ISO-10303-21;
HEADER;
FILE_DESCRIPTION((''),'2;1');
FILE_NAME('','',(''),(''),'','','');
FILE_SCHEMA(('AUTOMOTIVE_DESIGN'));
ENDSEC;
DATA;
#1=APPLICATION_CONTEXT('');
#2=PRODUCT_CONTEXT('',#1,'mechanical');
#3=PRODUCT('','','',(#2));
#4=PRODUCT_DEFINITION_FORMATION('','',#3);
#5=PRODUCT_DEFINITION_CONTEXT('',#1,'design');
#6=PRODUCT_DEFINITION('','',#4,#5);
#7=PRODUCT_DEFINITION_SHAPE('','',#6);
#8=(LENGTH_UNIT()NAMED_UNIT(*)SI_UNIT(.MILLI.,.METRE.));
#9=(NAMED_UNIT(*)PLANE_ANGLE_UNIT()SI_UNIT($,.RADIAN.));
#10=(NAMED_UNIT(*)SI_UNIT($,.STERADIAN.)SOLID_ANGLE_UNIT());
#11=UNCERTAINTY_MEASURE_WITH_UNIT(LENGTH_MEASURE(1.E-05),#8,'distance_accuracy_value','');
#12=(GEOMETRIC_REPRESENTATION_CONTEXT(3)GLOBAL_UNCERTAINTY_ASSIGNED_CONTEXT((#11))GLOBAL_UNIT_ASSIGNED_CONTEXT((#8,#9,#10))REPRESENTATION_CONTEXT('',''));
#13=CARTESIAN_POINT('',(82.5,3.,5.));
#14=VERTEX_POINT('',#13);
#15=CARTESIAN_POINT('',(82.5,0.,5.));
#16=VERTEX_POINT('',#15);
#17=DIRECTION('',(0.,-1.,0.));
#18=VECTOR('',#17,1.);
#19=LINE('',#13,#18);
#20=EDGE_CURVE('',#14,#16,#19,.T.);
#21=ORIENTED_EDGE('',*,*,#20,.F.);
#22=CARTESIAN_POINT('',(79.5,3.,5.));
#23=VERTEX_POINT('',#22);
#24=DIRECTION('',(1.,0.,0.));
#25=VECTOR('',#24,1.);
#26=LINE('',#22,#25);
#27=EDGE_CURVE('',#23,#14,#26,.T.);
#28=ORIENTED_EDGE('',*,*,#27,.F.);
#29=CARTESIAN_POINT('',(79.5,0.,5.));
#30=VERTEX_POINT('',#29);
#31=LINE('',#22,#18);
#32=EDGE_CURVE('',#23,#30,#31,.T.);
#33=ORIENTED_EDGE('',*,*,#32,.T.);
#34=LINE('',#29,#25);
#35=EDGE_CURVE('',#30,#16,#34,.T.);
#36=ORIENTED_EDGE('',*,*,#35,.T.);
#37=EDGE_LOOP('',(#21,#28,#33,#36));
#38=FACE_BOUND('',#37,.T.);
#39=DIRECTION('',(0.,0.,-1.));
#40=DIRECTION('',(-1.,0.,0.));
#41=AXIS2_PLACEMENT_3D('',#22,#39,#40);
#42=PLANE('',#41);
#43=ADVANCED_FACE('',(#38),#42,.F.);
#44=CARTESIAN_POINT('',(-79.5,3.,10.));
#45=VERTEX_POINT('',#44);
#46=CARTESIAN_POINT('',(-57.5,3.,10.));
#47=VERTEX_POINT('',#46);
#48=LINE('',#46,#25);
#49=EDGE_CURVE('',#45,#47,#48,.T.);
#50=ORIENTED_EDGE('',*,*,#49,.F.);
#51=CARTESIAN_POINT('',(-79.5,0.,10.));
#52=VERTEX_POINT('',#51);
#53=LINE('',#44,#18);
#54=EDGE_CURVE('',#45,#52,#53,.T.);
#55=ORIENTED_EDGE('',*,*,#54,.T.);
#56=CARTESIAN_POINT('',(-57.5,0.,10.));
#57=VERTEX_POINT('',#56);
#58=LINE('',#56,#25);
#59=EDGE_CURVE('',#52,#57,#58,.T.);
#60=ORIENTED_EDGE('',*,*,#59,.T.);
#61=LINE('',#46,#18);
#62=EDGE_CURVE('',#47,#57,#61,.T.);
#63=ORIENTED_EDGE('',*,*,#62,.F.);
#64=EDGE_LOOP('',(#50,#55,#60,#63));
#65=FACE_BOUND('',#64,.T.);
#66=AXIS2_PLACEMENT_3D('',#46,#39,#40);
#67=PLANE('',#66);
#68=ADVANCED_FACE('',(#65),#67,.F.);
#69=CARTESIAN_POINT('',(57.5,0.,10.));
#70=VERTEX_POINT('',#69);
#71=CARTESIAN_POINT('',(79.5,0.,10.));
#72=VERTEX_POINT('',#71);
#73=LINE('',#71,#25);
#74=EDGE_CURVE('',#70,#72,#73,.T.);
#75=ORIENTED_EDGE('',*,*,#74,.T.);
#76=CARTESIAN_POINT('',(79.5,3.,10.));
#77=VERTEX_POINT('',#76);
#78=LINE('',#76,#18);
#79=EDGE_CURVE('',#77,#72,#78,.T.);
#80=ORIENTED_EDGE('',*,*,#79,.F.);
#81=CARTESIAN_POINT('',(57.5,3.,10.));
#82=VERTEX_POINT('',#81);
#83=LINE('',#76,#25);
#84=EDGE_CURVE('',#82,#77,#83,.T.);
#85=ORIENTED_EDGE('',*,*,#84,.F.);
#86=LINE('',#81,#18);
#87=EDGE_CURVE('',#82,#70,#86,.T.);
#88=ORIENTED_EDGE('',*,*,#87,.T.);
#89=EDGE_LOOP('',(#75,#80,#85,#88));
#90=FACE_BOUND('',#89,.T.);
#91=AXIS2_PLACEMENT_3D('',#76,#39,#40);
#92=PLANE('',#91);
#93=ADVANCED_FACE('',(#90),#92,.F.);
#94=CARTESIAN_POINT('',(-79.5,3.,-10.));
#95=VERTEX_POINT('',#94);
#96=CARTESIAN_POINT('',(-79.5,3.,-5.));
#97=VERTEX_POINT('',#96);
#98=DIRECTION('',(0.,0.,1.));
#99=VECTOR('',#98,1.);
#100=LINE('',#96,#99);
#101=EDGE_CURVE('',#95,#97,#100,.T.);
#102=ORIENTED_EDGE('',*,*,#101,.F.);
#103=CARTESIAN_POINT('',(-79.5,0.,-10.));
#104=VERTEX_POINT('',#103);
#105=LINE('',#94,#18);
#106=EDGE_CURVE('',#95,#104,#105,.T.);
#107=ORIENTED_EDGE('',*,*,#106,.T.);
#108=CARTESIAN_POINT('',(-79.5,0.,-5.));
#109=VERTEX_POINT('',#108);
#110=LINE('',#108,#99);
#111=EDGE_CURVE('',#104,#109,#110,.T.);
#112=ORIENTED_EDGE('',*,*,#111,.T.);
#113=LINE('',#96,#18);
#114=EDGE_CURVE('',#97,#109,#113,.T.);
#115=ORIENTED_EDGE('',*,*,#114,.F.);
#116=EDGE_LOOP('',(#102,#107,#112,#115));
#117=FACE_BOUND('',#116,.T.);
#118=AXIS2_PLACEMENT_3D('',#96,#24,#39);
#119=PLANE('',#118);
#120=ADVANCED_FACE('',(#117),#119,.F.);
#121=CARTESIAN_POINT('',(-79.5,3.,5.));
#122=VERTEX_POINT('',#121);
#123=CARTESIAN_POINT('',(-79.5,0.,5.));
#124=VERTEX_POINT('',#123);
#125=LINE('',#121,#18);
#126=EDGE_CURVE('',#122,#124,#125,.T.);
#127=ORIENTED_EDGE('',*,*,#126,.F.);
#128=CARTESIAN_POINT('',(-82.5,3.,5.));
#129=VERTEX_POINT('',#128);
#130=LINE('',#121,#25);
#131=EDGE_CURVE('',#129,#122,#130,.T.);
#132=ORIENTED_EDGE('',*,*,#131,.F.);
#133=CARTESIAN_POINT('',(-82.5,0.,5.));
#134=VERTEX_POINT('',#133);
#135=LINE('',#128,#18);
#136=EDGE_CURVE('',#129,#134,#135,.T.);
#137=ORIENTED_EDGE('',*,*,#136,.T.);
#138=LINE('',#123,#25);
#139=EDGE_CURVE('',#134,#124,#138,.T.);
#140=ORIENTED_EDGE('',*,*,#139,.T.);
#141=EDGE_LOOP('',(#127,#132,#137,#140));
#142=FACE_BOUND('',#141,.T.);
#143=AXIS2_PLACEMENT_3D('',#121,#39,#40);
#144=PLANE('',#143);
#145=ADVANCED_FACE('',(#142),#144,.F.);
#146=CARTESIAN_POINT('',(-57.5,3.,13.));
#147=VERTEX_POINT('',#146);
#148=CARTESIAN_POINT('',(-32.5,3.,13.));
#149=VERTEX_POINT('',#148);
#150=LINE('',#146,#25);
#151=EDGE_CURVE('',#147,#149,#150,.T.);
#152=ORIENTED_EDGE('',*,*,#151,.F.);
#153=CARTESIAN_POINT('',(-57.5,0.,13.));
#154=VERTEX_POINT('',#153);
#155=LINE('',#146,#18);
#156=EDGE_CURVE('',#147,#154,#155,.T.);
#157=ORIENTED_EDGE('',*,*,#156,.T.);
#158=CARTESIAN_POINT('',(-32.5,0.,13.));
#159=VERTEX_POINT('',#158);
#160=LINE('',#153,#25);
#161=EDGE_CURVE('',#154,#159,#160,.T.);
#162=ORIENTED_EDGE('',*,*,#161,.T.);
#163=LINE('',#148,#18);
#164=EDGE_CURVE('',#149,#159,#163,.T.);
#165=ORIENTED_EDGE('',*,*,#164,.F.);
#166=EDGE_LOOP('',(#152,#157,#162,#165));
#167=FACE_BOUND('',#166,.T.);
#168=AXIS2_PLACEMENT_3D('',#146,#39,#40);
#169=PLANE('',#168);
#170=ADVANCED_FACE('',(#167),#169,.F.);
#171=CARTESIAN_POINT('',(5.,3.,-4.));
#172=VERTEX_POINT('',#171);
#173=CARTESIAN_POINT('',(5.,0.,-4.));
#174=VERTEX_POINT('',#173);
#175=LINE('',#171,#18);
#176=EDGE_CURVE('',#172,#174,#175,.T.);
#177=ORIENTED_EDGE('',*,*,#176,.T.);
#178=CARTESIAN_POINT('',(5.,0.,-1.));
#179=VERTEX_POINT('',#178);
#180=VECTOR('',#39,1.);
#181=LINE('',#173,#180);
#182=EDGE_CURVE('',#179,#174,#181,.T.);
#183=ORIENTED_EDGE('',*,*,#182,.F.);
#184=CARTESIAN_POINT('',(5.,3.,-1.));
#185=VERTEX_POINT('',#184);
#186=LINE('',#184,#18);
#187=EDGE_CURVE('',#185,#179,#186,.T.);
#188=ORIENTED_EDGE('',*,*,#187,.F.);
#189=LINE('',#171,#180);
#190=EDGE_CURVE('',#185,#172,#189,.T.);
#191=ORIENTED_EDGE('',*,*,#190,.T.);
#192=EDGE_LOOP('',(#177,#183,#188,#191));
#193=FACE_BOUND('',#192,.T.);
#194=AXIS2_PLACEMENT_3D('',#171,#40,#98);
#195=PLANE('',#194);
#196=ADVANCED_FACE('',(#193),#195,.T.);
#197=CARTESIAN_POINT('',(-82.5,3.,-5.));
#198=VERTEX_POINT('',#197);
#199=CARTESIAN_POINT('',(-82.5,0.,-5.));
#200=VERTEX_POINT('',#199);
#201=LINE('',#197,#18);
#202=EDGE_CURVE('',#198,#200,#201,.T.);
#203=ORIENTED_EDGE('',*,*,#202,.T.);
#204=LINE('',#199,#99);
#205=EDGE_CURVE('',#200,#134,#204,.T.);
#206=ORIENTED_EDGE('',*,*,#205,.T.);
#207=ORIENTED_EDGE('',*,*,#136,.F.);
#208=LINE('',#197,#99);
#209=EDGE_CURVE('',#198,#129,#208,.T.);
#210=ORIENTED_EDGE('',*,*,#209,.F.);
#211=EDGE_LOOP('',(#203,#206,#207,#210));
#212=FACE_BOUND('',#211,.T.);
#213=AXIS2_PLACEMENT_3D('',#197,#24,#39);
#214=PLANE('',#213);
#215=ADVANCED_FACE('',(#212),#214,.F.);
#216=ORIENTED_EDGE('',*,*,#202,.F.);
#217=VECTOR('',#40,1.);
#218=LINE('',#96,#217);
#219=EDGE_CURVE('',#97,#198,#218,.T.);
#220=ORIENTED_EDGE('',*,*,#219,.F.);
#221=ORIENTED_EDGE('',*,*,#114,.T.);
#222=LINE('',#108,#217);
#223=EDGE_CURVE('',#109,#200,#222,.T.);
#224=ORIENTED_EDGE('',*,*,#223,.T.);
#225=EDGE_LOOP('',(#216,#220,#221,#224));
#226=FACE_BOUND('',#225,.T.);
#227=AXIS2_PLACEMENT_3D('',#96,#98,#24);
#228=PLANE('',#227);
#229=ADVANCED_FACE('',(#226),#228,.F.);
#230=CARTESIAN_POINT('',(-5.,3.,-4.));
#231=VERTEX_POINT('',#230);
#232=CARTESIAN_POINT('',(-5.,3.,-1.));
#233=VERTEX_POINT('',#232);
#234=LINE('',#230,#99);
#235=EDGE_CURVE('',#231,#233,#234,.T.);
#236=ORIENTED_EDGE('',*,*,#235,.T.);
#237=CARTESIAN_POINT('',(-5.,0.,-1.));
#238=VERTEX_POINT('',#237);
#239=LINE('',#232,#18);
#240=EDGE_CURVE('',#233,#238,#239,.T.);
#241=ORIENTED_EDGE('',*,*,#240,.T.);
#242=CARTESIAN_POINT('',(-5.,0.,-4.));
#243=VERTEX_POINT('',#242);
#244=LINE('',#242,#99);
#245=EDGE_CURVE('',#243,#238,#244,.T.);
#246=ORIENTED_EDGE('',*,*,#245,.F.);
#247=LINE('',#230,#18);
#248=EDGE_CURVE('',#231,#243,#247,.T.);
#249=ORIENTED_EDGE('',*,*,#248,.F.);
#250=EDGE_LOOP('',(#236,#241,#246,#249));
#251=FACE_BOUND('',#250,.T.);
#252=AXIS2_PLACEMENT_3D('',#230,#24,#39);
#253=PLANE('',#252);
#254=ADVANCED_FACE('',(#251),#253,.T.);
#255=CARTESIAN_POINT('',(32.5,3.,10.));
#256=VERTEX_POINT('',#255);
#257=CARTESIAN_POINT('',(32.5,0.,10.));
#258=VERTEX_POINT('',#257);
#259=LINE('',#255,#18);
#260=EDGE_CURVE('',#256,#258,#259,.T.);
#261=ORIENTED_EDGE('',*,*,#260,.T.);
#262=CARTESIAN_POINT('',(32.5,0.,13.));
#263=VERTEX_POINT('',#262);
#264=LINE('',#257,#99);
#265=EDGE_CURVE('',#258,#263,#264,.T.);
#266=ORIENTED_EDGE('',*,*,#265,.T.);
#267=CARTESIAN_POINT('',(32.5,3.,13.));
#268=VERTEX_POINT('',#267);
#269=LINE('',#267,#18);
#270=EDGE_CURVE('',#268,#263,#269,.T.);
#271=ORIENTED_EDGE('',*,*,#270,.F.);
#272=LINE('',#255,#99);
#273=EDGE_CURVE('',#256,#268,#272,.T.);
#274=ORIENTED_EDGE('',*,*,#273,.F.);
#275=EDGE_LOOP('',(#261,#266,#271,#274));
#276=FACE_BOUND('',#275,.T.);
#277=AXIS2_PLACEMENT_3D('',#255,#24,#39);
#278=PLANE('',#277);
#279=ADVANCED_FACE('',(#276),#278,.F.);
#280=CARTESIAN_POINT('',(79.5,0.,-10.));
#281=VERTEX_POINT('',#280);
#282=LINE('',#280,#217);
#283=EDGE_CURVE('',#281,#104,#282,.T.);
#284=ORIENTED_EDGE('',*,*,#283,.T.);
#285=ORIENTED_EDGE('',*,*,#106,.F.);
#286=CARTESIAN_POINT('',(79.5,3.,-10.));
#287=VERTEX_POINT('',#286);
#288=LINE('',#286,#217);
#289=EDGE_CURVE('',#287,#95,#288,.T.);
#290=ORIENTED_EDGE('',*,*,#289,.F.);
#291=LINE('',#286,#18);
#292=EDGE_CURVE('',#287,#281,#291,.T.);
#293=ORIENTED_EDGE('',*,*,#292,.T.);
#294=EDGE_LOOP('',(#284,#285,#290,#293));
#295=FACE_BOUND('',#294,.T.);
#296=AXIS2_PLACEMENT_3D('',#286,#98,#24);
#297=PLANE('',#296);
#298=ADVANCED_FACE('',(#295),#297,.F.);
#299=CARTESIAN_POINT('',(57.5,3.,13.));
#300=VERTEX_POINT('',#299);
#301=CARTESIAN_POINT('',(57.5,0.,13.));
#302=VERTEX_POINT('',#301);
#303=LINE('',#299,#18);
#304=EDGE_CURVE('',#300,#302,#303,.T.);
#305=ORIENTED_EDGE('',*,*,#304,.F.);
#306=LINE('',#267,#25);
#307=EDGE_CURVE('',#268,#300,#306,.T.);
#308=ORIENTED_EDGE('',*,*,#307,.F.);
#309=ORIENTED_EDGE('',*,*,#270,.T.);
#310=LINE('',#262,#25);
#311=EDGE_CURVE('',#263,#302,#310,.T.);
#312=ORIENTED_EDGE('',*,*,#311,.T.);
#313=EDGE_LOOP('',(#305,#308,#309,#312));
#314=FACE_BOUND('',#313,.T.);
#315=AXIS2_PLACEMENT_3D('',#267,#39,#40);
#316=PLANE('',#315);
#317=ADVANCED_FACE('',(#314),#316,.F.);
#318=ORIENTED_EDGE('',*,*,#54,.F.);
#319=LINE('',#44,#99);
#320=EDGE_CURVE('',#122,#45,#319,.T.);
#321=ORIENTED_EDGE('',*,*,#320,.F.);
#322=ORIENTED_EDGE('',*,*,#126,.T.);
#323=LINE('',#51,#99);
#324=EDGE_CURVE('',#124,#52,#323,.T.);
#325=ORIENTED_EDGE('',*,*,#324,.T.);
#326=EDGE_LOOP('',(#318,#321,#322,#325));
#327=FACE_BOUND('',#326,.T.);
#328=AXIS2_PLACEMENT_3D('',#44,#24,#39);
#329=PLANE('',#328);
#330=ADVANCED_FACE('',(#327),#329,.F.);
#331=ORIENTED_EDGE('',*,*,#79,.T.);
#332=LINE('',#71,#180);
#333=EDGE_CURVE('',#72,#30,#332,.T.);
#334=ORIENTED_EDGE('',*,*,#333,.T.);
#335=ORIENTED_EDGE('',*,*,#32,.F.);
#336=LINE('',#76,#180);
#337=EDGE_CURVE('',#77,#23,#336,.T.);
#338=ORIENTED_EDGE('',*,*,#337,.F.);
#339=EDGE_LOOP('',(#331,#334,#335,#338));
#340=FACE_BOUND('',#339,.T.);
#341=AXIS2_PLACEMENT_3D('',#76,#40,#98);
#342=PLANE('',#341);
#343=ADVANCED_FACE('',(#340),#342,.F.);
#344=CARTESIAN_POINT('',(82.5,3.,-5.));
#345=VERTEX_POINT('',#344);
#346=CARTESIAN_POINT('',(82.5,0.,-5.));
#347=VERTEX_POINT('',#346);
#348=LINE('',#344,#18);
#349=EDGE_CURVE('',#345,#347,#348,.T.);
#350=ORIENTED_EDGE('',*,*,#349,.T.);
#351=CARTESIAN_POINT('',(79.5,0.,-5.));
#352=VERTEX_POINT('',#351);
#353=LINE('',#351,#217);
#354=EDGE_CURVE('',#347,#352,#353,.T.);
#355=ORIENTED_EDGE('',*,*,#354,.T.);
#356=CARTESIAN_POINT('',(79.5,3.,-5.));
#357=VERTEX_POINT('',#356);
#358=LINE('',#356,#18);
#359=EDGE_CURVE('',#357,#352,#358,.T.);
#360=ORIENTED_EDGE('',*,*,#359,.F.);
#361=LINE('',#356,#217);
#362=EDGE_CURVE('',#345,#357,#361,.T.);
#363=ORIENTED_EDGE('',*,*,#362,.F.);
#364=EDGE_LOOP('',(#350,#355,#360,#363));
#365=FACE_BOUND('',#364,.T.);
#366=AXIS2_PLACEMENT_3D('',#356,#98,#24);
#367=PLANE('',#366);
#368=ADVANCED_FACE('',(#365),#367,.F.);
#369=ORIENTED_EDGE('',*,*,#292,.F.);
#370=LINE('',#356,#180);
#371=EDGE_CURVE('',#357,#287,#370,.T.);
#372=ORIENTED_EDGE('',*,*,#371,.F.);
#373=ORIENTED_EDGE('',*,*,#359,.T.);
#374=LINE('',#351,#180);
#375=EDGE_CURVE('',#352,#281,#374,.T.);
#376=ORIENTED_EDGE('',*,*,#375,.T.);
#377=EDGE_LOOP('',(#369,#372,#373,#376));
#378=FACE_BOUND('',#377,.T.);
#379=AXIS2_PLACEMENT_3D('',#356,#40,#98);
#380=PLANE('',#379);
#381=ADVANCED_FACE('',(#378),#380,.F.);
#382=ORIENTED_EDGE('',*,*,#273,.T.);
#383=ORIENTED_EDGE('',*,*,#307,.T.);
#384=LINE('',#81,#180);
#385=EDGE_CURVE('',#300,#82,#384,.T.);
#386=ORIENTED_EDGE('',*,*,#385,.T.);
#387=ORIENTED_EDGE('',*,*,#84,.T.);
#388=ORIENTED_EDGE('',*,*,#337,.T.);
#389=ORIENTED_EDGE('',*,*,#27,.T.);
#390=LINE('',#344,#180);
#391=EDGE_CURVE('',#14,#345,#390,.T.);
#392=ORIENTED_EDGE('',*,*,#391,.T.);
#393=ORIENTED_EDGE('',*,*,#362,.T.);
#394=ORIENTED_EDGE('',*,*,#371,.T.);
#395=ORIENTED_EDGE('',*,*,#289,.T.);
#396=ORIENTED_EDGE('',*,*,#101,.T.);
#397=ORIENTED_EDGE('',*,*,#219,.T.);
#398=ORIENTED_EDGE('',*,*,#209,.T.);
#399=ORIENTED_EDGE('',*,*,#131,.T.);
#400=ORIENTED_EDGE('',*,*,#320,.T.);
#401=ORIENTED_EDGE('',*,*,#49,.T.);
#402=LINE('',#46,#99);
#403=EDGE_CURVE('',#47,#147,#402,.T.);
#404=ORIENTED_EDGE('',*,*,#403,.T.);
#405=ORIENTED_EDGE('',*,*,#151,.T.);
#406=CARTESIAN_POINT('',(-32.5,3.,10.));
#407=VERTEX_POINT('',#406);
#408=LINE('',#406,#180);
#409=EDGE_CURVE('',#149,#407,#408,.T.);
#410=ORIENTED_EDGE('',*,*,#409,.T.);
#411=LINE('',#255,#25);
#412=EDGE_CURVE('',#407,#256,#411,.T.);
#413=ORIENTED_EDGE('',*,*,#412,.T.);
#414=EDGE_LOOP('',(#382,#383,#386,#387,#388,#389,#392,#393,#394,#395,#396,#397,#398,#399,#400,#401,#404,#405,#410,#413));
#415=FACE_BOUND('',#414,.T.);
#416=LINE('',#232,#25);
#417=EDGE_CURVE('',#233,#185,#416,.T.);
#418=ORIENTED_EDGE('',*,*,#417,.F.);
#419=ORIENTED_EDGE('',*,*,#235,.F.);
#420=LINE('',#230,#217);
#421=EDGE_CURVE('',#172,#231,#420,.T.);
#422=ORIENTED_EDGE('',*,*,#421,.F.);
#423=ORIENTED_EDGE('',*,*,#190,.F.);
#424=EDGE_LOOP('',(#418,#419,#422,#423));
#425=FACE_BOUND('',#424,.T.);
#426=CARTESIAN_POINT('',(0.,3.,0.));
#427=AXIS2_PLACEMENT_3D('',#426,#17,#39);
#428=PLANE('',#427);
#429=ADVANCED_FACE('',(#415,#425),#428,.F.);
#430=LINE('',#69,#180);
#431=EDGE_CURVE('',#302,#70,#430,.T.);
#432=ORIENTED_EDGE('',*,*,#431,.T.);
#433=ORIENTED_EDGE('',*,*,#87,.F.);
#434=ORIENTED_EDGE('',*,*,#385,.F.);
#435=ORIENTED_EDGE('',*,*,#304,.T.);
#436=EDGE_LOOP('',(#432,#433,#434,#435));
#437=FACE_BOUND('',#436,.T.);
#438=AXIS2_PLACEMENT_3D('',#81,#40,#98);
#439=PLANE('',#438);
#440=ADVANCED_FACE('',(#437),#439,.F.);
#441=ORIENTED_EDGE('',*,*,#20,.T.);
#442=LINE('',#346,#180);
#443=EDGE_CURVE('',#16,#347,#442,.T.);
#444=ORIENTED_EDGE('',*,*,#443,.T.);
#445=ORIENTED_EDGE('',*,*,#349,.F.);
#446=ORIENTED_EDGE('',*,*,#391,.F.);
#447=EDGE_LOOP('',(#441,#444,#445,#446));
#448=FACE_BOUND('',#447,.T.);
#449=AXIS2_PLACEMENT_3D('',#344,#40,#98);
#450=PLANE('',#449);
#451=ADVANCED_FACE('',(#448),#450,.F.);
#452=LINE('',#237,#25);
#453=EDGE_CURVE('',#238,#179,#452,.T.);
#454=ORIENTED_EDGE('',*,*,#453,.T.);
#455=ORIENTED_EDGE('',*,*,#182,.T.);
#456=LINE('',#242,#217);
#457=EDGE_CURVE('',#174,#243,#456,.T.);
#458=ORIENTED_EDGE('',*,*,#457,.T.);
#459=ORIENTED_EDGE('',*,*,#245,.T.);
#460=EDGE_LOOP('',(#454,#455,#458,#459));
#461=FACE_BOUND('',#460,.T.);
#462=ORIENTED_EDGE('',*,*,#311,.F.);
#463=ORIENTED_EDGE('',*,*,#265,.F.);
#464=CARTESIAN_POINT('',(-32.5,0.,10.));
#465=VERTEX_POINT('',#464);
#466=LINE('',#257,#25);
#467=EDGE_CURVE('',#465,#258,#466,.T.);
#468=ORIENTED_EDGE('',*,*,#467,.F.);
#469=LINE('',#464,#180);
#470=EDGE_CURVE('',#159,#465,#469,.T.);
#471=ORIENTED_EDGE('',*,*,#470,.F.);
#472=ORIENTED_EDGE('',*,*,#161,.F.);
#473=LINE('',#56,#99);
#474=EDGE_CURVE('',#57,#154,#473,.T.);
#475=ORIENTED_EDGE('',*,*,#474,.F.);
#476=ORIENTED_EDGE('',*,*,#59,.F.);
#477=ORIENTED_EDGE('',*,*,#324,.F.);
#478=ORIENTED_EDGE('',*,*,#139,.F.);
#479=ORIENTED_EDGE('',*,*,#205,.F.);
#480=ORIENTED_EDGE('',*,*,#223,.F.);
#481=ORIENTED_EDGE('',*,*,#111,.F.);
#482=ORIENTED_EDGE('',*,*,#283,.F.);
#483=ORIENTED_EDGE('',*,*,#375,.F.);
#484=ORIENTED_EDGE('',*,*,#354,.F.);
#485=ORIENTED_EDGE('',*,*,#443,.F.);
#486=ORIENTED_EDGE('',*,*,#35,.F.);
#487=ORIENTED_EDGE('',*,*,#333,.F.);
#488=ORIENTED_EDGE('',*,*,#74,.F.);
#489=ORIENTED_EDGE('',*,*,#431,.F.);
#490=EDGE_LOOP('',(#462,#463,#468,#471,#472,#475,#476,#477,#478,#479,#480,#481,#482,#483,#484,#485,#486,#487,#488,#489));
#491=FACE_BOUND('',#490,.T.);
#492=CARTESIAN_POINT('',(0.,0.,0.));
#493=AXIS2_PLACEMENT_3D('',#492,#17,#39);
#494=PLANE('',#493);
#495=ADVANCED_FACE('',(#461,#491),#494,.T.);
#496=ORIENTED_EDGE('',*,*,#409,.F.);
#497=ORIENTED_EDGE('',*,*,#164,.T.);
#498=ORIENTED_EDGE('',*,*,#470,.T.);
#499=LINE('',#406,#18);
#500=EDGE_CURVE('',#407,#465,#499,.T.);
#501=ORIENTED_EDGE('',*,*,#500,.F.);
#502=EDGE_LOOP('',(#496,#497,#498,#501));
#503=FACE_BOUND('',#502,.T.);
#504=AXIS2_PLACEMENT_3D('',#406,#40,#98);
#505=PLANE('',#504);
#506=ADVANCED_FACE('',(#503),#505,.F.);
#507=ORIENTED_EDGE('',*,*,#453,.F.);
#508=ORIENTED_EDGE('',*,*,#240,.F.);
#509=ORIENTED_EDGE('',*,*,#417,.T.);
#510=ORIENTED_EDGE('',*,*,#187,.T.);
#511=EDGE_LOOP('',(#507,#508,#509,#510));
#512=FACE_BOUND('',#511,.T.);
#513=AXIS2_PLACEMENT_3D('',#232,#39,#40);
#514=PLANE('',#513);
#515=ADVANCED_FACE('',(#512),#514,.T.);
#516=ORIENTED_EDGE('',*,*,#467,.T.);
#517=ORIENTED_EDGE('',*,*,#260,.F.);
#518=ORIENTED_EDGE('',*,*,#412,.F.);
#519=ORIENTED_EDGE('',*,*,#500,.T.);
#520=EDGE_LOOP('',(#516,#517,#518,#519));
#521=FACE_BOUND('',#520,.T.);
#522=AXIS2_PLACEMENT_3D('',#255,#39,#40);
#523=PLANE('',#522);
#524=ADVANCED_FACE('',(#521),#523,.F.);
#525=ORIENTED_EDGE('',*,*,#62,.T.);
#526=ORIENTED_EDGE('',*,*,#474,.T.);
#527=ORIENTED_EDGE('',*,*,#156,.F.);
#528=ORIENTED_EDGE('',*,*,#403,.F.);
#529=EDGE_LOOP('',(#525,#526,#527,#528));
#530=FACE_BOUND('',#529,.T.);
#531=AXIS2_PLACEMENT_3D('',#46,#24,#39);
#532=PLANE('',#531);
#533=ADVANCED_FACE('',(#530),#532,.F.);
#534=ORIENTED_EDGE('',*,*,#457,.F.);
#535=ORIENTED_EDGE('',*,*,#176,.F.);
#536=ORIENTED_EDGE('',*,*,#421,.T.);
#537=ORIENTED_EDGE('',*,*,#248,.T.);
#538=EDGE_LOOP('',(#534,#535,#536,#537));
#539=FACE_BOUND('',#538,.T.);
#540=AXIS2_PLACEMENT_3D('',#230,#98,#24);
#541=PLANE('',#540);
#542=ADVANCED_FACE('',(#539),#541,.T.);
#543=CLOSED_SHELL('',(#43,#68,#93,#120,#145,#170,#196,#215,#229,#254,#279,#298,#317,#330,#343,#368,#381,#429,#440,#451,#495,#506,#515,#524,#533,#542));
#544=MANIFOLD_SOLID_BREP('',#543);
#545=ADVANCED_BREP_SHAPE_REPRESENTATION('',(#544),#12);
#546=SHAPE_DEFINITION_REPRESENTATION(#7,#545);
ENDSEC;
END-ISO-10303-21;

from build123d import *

# Parameters (mm, degrees)
SKETCH1_W           = 10
SKETCH1_H           = 3
BOSS_EXTRUDE1_DEPTH = 3


with BuildPart() as part:
    # Sketch1 → Boss-Extrude1 (new body)
    with BuildSketch(Plane(origin=(0, 0, 0), x_dir=(1, 0, 0), z_dir=(0, 1, 0))):
        Polygon((-79.5, 5), (-79.5, 10), (79.5, 10), (79.5, 5), (82.5, 5), (82.5, -5), (79.5, -5), (79.5, -10), (57.5, -10), (57.5, -13), (32.5, -13), (32.5, -10), (-32.5, -10), (-32.5, -13), (-57.5, -13), (-57.5, -10), (-79.5, -10), (-79.5, -5), (-82.5, -5), (-82.5, 5), align=None)
        with Locations((0, 2.5)):
            Rectangle(SKETCH1_W, SKETCH1_H, mode=Mode.SUBTRACT)
    extrude(amount=BOSS_EXTRUDE1_DEPTH)


solid = part.part
